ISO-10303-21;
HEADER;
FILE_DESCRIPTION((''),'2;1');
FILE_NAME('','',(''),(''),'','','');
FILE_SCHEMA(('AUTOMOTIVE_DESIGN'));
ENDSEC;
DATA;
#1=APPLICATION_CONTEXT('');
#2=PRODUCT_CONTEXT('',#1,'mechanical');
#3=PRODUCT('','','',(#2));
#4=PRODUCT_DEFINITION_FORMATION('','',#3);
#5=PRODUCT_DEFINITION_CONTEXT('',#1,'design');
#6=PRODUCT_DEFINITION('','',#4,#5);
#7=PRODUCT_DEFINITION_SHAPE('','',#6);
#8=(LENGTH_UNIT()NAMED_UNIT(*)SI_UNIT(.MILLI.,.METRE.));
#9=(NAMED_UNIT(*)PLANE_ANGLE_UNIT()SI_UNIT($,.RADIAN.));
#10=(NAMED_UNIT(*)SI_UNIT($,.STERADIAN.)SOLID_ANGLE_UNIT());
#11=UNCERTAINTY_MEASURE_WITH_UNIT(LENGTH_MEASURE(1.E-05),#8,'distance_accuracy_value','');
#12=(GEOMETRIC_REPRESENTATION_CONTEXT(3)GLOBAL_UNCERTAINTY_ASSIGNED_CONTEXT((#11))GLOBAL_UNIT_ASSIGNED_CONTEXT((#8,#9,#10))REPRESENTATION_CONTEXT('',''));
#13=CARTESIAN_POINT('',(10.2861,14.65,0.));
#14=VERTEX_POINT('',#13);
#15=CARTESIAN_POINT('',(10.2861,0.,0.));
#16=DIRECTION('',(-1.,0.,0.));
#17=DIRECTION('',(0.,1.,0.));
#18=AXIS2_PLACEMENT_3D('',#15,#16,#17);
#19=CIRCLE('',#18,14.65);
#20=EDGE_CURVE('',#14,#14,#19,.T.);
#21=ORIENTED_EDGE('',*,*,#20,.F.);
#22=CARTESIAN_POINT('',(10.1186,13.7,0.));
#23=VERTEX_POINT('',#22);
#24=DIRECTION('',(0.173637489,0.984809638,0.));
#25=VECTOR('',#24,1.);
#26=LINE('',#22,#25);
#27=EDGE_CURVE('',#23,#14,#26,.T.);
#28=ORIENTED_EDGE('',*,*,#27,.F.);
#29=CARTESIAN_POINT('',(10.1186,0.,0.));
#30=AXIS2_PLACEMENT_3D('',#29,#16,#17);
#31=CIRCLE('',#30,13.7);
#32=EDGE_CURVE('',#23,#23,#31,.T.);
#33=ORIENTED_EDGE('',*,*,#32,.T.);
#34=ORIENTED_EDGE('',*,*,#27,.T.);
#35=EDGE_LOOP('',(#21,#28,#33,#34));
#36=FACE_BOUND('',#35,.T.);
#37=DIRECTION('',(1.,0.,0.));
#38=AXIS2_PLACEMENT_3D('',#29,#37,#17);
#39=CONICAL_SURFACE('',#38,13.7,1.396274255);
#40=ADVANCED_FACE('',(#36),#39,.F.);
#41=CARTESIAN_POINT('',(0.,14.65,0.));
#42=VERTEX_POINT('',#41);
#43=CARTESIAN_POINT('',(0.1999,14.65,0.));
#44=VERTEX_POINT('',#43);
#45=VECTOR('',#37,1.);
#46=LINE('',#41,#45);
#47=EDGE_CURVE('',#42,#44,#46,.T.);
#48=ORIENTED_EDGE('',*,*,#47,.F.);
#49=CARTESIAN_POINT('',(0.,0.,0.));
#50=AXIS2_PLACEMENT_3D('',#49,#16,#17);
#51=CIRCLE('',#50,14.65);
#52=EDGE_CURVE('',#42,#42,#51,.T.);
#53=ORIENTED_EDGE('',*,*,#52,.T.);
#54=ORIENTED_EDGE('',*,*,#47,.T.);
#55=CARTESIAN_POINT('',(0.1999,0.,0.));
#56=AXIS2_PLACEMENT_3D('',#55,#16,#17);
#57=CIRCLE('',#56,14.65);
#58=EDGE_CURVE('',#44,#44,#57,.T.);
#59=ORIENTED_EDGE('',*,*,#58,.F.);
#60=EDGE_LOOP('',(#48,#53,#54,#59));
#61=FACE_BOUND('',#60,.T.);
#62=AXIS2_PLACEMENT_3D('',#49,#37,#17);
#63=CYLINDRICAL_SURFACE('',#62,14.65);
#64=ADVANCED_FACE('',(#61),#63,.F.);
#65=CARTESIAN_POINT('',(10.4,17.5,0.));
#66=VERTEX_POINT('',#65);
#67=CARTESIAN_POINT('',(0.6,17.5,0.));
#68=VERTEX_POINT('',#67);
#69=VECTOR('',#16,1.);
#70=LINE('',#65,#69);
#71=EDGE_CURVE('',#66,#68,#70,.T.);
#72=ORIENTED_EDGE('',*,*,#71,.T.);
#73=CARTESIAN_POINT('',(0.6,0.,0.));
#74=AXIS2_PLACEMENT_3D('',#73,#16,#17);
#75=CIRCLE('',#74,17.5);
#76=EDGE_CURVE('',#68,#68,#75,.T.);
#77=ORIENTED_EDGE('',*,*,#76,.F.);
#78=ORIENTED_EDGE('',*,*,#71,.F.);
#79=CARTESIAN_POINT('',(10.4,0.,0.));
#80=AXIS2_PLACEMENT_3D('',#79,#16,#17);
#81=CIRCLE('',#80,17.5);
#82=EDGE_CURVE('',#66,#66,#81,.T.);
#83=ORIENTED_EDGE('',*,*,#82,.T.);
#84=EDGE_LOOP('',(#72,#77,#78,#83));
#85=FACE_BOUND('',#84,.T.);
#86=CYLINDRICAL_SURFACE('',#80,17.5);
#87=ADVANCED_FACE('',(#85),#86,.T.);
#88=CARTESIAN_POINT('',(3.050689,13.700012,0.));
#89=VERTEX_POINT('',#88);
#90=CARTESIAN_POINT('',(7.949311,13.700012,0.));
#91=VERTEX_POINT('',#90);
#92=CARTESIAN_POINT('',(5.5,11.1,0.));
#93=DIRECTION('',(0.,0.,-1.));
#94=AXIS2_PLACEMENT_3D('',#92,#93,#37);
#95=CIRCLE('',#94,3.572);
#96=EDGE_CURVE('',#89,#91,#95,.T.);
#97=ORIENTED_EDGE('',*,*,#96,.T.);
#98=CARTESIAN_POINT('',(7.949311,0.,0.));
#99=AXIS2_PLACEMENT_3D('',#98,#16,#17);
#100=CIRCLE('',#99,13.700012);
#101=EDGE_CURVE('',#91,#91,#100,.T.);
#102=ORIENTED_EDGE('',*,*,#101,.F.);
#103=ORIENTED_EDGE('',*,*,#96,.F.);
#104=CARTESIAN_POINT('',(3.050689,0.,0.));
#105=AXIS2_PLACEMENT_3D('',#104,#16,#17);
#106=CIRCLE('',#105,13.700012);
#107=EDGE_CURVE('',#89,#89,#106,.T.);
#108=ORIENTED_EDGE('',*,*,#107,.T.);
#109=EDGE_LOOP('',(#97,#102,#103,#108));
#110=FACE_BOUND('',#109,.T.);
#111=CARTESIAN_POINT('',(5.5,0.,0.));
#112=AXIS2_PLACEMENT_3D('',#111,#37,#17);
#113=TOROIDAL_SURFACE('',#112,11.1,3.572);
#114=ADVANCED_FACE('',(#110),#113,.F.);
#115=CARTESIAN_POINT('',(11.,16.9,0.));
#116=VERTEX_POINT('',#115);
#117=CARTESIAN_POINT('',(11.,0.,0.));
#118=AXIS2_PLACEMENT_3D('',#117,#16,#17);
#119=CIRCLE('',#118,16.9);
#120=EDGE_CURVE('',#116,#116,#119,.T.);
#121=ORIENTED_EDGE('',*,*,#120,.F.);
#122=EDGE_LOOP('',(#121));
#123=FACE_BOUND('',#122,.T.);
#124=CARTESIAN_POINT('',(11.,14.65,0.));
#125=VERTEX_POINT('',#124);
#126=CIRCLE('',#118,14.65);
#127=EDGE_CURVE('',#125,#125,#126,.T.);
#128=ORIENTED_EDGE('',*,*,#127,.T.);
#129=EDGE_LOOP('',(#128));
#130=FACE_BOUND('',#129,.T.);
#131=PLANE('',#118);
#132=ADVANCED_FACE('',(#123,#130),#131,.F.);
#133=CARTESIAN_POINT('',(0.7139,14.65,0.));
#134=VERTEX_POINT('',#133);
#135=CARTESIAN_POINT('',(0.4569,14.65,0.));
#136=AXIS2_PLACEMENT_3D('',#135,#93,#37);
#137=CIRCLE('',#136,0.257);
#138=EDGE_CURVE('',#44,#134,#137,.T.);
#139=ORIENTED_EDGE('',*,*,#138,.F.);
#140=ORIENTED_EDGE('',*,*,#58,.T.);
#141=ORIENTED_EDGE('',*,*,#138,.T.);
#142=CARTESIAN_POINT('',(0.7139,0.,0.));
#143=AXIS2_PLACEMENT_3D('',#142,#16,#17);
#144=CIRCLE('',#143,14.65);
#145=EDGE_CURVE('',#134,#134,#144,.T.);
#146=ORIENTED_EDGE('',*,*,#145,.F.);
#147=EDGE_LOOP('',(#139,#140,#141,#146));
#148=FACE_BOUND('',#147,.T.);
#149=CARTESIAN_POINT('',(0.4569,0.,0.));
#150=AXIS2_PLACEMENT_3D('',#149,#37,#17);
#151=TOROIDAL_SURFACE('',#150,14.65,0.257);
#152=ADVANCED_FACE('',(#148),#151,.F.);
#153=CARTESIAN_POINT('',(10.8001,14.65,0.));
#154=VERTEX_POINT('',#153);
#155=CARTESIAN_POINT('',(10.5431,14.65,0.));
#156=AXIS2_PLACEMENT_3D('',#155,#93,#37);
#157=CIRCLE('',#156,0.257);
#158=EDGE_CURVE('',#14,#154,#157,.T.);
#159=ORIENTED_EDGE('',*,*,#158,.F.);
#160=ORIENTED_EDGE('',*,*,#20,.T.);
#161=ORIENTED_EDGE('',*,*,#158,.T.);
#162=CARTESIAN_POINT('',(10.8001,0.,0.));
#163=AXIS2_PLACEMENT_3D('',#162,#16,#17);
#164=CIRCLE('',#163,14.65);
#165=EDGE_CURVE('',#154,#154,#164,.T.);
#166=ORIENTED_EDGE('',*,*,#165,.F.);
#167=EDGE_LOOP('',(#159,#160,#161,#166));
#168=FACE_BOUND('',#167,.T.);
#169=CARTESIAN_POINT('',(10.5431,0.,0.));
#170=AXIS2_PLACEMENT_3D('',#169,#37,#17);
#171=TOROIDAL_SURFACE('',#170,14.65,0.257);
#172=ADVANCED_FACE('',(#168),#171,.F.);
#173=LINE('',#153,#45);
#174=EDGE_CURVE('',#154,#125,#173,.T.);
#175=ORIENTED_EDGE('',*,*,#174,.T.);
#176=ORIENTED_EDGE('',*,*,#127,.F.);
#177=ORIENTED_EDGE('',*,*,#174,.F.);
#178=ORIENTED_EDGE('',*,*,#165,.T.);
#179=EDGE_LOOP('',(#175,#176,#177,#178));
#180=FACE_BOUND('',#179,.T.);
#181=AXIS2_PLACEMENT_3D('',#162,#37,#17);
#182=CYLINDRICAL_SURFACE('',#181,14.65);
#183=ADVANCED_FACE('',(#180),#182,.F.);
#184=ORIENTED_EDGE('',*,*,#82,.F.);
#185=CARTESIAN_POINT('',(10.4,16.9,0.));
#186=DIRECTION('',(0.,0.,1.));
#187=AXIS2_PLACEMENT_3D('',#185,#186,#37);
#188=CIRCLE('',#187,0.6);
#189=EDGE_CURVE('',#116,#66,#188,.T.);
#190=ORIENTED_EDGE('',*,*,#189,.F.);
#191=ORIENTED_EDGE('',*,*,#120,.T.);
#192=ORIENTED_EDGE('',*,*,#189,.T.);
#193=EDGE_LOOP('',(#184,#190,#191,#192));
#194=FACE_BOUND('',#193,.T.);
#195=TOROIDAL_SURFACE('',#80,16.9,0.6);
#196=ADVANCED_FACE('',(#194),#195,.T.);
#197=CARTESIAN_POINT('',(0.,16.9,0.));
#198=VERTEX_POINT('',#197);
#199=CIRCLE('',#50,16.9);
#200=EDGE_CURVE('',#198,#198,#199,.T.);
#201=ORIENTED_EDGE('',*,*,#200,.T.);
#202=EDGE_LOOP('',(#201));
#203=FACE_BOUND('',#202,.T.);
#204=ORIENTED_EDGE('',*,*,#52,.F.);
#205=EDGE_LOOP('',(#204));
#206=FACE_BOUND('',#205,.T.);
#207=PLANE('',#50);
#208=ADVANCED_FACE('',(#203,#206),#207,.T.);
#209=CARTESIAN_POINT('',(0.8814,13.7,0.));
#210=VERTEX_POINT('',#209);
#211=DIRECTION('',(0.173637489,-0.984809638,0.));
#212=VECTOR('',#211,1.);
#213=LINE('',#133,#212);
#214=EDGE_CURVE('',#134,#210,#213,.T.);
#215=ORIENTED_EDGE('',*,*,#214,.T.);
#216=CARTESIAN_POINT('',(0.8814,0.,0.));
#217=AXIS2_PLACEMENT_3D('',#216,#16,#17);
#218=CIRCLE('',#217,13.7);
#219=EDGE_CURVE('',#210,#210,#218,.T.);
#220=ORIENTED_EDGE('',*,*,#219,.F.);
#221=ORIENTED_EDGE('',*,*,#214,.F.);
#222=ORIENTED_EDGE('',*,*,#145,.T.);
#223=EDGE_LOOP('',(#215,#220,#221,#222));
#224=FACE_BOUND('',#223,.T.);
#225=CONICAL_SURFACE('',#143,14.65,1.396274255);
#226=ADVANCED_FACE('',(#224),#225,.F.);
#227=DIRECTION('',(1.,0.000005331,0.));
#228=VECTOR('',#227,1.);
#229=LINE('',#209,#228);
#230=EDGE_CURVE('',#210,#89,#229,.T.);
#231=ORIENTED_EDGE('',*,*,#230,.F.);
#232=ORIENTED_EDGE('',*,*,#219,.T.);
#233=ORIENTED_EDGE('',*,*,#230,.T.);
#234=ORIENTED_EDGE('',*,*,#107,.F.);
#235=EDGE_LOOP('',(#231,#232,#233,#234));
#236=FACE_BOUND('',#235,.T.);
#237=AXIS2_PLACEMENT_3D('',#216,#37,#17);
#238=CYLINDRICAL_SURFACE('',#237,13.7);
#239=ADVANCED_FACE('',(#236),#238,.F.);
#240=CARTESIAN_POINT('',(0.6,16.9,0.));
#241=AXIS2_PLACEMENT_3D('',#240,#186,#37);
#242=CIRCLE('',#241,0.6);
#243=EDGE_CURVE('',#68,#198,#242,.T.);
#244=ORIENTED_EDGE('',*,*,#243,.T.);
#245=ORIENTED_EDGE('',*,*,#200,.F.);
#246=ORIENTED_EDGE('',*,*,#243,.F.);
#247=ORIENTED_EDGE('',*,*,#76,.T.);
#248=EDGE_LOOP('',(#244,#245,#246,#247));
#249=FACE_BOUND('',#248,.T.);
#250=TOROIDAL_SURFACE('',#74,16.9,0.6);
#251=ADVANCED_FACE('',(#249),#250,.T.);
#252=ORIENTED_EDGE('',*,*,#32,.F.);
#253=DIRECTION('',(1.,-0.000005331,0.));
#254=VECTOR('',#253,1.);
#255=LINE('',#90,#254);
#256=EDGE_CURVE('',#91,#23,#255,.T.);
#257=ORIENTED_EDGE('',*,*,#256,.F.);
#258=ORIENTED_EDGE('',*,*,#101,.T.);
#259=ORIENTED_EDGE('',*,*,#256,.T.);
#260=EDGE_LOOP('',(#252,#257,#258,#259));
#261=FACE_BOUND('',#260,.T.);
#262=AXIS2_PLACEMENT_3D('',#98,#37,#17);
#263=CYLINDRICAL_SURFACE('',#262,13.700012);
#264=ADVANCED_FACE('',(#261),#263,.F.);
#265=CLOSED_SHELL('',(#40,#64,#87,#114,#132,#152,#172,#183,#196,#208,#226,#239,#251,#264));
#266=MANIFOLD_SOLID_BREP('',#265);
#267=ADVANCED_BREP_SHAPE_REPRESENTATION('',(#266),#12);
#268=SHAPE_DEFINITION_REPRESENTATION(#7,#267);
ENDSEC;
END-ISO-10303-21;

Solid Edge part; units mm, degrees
sketch "Sketch1" plane through (0, 0, 0) normal (0, 0, 1) x (1, 0, 0)
  line L0 (0, 16.9) -> (0, 14.65)
  line L1 (0, 14.65) -> (0.1999, 14.65)
  arc A0 (0.1999, 14.65) -> (0.7139, 14.65) centre (0.4569, 14.65) cw
  line L2 (0.7139, 14.65) -> (0.8814, 13.7)
  line L3 (0.8814, 13.7) -> (3.0507, 13.7)
  arc A1 (3.0507, 13.7) -> (7.9493, 13.7) centre (5.5, 11.1) cw
  line L4 (7.9493, 13.7) -> (10.1186, 13.7)
  line L5 (10.1186, 13.7) -> (10.2861, 14.65)
  arc A2 (10.2861, 14.65) -> (10.8001, 14.65) centre (10.5431, 14.65) cw
  line L6 (10.8001, 14.65) -> (11, 14.65)
  line L7 (11, 14.65) -> (11, 16.9)
  arc A3 (11, 16.9) -> (10.4, 17.5) centre (10.4, 16.9) ccw
  line L8 (10.4, 17.5) -> (0.6, 17.5)
  arc A4 (0.6, 17.5) -> (0, 16.9) centre (0.6, 16.9) ccw
revolve "RevolvedProtrusion1" add sketch "Sketch1" angle 360 about axis through (10.4, 0, 0) along (-1, 0, 0)
properties material "Steel"
